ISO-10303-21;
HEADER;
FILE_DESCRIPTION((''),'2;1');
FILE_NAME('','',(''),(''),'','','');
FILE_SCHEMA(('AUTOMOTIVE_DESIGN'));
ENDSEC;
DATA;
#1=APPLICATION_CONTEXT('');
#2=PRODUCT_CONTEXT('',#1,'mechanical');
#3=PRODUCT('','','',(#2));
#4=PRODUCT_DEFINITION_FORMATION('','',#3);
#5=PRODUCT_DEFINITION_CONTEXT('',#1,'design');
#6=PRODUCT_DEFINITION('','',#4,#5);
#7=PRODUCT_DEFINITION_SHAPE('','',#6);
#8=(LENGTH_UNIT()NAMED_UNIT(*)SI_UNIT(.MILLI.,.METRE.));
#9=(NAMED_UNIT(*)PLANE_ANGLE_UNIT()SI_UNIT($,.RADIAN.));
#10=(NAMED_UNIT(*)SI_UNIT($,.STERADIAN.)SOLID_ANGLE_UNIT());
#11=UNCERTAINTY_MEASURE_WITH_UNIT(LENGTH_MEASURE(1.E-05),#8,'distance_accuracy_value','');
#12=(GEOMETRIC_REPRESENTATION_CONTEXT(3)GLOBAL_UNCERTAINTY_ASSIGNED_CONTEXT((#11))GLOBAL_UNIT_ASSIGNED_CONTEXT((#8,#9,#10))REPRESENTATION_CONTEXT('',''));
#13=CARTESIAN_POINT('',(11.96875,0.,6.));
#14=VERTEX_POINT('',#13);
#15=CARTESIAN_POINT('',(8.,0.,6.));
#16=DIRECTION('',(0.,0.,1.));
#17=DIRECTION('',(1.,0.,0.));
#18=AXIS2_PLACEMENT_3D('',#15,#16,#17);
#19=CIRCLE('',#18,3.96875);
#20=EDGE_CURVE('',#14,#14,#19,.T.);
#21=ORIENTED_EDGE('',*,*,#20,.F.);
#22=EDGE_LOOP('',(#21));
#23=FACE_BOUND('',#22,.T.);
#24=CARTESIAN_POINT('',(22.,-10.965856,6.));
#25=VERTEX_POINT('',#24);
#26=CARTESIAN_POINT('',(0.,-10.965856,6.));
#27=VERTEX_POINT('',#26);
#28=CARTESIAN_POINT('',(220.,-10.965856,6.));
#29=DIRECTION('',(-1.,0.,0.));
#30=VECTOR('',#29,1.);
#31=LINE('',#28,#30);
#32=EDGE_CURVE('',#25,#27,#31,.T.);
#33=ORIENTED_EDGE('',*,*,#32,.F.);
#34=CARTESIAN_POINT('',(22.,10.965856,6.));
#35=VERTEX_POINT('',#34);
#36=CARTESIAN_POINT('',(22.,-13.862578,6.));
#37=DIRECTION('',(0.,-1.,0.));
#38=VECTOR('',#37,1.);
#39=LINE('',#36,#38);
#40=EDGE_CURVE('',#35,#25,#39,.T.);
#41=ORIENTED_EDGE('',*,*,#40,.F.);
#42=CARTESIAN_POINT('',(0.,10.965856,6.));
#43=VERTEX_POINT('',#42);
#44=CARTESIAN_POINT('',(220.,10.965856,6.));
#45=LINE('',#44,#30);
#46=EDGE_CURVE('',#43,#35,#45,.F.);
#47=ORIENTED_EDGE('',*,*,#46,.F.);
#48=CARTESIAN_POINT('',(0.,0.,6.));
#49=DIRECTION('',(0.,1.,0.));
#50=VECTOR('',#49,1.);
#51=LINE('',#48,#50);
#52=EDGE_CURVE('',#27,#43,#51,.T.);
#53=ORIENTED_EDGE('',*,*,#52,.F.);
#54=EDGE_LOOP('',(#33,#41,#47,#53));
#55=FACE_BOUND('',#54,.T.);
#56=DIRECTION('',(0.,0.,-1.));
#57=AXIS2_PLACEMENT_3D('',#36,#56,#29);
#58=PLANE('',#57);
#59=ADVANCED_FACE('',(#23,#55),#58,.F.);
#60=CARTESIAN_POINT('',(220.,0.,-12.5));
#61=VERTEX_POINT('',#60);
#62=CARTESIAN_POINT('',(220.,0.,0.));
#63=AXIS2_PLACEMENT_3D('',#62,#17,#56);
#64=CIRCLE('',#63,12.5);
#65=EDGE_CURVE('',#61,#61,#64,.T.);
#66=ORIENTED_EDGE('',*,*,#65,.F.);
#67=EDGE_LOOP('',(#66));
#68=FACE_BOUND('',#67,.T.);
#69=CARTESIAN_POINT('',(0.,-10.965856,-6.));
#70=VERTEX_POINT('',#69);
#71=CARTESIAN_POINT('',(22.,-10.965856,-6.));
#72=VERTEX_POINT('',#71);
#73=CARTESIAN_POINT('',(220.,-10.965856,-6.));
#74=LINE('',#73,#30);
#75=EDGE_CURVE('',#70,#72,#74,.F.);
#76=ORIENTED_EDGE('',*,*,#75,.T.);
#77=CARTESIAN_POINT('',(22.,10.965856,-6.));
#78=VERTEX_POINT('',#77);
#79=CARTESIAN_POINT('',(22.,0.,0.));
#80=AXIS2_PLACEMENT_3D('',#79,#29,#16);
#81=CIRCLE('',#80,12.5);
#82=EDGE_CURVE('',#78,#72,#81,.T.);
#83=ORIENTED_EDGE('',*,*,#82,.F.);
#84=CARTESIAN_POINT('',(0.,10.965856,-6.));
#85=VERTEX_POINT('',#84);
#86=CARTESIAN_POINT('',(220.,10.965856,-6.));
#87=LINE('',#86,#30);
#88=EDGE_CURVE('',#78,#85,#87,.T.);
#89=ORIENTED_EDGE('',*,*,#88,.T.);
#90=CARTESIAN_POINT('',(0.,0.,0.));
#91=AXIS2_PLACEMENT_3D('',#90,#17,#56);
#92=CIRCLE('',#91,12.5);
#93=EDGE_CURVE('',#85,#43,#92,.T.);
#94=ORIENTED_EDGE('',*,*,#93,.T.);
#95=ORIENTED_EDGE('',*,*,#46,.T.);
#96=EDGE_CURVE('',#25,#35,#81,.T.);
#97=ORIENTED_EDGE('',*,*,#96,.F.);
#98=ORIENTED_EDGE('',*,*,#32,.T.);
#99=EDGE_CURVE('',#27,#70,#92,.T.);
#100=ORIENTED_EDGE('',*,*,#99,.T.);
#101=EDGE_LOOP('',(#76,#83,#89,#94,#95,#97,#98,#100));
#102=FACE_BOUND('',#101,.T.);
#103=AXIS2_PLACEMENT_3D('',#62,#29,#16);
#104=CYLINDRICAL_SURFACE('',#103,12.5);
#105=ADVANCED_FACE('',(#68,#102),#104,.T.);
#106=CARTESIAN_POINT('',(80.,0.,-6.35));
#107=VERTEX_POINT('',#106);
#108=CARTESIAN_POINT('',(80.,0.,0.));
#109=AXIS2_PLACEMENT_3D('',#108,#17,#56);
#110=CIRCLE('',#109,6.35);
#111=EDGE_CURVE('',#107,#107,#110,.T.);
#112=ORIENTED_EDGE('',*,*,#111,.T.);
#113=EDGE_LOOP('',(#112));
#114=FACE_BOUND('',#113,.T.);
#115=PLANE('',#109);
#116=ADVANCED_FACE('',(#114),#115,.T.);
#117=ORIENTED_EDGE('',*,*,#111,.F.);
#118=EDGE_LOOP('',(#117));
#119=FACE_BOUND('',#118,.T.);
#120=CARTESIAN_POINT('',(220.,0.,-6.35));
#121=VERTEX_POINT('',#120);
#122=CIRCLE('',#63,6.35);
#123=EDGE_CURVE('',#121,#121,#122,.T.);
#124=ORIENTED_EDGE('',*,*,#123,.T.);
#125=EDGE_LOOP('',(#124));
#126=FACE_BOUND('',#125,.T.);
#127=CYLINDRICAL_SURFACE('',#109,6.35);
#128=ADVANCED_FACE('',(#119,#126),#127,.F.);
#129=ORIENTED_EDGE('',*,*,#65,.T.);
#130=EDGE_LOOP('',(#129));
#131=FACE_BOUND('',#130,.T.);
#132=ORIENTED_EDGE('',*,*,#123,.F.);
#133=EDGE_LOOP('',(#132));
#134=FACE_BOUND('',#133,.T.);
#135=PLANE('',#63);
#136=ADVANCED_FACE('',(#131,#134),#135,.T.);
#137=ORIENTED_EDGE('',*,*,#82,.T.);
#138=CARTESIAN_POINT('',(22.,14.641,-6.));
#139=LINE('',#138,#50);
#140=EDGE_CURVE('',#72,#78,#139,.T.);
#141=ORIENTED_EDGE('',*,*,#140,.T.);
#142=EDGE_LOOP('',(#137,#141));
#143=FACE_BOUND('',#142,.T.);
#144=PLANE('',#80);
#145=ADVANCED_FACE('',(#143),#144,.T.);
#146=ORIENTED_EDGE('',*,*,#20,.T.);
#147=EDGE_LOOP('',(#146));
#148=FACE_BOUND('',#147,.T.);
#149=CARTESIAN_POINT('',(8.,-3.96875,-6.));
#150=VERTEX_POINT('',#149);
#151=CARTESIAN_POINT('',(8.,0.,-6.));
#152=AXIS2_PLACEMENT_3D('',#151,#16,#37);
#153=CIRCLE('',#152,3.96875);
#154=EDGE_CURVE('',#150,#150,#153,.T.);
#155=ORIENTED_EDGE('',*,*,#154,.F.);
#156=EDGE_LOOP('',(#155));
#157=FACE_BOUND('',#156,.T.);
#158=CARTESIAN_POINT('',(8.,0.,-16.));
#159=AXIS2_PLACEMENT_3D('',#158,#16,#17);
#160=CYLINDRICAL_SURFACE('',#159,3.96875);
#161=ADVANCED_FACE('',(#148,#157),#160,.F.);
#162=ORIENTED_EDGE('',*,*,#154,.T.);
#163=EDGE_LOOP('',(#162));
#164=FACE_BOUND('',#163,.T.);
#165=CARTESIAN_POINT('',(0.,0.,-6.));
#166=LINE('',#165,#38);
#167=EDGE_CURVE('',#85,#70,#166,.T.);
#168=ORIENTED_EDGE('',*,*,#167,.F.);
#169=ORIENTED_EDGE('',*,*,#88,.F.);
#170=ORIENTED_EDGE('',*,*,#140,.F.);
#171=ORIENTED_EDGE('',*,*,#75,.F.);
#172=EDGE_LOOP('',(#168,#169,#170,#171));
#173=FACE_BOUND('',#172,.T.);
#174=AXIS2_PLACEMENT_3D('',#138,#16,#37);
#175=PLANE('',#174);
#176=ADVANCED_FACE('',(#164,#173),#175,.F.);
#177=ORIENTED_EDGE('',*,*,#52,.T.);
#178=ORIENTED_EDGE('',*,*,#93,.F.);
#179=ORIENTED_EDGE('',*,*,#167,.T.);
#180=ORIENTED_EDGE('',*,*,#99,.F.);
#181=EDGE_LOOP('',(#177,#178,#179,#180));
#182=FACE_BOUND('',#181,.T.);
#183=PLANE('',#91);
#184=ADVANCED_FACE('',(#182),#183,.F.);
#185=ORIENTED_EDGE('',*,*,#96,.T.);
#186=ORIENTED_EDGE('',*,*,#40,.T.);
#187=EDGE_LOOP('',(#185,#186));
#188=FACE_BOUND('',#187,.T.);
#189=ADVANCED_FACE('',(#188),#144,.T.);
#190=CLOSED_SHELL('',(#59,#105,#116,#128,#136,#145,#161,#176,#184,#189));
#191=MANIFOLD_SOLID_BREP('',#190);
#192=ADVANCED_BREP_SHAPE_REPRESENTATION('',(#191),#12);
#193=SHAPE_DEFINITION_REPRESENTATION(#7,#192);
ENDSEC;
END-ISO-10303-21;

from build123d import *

# Parameters (mm, degrees)
CROQUIS1_R              = 12.5
SALIENTE_EXTRUIR1_DEPTH = 220
CROQUIS2_W              = 7.84246484
CROQUIS2_H              = 28.503577792
CROQUIS2_W_2            = 7.563798576
CROQUIS2_H_2            = 29.299767116
CORTAR_EXTRUIR1_DEPTH   = 22
CROQUIS3_R              = 3.96875
CORTAR_EXTRUIR2_DEPTH   = 22
CROQUIS4_R              = 6.35
CORTAR_EXTRUIR3_DEPTH   = 140


with BuildPart() as part:
    # Croquis1 → Saliente-Extruir1 (new body)
    with BuildSketch(Plane(origin=(0, 0, 0), x_dir=(0, 0, -1), z_dir=(1, 0, 0))):
        Circle(CROQUIS1_R)
    extrude(amount=SALIENTE_EXTRUIR1_DEPTH)

    # Croquis2 → Cortar-Extruir1 (cut)
    with BuildSketch(Plane.ZY):
        with Locations((-9.92123242, 0.389210904)):
            Rectangle(CROQUIS2_W, CROQUIS2_H)
        with Locations((9.781899288, 0.787305566)):
            Rectangle(CROQUIS2_W_2, CROQUIS2_H_2)
    extrude(amount=-CORTAR_EXTRUIR1_DEPTH, mode=Mode.SUBTRACT)

    # Croquis3 → Cortar-Extruir2 (cut)
    with BuildSketch(Plane.XY.offset(6)):
        with Locations((8, 0)):
            Circle(CROQUIS3_R)
    extrude(amount=-CORTAR_EXTRUIR2_DEPTH, mode=Mode.SUBTRACT)

    # Croquis4 → Cortar-Extruir3 (cut)
    with BuildSketch(Plane(origin=(220, 0, 0), x_dir=(0, 0, -1), z_dir=(1, 0, 0))):
        Circle(CROQUIS4_R)
    extrude(amount=-CORTAR_EXTRUIR3_DEPTH, mode=Mode.SUBTRACT)


solid = part.part
